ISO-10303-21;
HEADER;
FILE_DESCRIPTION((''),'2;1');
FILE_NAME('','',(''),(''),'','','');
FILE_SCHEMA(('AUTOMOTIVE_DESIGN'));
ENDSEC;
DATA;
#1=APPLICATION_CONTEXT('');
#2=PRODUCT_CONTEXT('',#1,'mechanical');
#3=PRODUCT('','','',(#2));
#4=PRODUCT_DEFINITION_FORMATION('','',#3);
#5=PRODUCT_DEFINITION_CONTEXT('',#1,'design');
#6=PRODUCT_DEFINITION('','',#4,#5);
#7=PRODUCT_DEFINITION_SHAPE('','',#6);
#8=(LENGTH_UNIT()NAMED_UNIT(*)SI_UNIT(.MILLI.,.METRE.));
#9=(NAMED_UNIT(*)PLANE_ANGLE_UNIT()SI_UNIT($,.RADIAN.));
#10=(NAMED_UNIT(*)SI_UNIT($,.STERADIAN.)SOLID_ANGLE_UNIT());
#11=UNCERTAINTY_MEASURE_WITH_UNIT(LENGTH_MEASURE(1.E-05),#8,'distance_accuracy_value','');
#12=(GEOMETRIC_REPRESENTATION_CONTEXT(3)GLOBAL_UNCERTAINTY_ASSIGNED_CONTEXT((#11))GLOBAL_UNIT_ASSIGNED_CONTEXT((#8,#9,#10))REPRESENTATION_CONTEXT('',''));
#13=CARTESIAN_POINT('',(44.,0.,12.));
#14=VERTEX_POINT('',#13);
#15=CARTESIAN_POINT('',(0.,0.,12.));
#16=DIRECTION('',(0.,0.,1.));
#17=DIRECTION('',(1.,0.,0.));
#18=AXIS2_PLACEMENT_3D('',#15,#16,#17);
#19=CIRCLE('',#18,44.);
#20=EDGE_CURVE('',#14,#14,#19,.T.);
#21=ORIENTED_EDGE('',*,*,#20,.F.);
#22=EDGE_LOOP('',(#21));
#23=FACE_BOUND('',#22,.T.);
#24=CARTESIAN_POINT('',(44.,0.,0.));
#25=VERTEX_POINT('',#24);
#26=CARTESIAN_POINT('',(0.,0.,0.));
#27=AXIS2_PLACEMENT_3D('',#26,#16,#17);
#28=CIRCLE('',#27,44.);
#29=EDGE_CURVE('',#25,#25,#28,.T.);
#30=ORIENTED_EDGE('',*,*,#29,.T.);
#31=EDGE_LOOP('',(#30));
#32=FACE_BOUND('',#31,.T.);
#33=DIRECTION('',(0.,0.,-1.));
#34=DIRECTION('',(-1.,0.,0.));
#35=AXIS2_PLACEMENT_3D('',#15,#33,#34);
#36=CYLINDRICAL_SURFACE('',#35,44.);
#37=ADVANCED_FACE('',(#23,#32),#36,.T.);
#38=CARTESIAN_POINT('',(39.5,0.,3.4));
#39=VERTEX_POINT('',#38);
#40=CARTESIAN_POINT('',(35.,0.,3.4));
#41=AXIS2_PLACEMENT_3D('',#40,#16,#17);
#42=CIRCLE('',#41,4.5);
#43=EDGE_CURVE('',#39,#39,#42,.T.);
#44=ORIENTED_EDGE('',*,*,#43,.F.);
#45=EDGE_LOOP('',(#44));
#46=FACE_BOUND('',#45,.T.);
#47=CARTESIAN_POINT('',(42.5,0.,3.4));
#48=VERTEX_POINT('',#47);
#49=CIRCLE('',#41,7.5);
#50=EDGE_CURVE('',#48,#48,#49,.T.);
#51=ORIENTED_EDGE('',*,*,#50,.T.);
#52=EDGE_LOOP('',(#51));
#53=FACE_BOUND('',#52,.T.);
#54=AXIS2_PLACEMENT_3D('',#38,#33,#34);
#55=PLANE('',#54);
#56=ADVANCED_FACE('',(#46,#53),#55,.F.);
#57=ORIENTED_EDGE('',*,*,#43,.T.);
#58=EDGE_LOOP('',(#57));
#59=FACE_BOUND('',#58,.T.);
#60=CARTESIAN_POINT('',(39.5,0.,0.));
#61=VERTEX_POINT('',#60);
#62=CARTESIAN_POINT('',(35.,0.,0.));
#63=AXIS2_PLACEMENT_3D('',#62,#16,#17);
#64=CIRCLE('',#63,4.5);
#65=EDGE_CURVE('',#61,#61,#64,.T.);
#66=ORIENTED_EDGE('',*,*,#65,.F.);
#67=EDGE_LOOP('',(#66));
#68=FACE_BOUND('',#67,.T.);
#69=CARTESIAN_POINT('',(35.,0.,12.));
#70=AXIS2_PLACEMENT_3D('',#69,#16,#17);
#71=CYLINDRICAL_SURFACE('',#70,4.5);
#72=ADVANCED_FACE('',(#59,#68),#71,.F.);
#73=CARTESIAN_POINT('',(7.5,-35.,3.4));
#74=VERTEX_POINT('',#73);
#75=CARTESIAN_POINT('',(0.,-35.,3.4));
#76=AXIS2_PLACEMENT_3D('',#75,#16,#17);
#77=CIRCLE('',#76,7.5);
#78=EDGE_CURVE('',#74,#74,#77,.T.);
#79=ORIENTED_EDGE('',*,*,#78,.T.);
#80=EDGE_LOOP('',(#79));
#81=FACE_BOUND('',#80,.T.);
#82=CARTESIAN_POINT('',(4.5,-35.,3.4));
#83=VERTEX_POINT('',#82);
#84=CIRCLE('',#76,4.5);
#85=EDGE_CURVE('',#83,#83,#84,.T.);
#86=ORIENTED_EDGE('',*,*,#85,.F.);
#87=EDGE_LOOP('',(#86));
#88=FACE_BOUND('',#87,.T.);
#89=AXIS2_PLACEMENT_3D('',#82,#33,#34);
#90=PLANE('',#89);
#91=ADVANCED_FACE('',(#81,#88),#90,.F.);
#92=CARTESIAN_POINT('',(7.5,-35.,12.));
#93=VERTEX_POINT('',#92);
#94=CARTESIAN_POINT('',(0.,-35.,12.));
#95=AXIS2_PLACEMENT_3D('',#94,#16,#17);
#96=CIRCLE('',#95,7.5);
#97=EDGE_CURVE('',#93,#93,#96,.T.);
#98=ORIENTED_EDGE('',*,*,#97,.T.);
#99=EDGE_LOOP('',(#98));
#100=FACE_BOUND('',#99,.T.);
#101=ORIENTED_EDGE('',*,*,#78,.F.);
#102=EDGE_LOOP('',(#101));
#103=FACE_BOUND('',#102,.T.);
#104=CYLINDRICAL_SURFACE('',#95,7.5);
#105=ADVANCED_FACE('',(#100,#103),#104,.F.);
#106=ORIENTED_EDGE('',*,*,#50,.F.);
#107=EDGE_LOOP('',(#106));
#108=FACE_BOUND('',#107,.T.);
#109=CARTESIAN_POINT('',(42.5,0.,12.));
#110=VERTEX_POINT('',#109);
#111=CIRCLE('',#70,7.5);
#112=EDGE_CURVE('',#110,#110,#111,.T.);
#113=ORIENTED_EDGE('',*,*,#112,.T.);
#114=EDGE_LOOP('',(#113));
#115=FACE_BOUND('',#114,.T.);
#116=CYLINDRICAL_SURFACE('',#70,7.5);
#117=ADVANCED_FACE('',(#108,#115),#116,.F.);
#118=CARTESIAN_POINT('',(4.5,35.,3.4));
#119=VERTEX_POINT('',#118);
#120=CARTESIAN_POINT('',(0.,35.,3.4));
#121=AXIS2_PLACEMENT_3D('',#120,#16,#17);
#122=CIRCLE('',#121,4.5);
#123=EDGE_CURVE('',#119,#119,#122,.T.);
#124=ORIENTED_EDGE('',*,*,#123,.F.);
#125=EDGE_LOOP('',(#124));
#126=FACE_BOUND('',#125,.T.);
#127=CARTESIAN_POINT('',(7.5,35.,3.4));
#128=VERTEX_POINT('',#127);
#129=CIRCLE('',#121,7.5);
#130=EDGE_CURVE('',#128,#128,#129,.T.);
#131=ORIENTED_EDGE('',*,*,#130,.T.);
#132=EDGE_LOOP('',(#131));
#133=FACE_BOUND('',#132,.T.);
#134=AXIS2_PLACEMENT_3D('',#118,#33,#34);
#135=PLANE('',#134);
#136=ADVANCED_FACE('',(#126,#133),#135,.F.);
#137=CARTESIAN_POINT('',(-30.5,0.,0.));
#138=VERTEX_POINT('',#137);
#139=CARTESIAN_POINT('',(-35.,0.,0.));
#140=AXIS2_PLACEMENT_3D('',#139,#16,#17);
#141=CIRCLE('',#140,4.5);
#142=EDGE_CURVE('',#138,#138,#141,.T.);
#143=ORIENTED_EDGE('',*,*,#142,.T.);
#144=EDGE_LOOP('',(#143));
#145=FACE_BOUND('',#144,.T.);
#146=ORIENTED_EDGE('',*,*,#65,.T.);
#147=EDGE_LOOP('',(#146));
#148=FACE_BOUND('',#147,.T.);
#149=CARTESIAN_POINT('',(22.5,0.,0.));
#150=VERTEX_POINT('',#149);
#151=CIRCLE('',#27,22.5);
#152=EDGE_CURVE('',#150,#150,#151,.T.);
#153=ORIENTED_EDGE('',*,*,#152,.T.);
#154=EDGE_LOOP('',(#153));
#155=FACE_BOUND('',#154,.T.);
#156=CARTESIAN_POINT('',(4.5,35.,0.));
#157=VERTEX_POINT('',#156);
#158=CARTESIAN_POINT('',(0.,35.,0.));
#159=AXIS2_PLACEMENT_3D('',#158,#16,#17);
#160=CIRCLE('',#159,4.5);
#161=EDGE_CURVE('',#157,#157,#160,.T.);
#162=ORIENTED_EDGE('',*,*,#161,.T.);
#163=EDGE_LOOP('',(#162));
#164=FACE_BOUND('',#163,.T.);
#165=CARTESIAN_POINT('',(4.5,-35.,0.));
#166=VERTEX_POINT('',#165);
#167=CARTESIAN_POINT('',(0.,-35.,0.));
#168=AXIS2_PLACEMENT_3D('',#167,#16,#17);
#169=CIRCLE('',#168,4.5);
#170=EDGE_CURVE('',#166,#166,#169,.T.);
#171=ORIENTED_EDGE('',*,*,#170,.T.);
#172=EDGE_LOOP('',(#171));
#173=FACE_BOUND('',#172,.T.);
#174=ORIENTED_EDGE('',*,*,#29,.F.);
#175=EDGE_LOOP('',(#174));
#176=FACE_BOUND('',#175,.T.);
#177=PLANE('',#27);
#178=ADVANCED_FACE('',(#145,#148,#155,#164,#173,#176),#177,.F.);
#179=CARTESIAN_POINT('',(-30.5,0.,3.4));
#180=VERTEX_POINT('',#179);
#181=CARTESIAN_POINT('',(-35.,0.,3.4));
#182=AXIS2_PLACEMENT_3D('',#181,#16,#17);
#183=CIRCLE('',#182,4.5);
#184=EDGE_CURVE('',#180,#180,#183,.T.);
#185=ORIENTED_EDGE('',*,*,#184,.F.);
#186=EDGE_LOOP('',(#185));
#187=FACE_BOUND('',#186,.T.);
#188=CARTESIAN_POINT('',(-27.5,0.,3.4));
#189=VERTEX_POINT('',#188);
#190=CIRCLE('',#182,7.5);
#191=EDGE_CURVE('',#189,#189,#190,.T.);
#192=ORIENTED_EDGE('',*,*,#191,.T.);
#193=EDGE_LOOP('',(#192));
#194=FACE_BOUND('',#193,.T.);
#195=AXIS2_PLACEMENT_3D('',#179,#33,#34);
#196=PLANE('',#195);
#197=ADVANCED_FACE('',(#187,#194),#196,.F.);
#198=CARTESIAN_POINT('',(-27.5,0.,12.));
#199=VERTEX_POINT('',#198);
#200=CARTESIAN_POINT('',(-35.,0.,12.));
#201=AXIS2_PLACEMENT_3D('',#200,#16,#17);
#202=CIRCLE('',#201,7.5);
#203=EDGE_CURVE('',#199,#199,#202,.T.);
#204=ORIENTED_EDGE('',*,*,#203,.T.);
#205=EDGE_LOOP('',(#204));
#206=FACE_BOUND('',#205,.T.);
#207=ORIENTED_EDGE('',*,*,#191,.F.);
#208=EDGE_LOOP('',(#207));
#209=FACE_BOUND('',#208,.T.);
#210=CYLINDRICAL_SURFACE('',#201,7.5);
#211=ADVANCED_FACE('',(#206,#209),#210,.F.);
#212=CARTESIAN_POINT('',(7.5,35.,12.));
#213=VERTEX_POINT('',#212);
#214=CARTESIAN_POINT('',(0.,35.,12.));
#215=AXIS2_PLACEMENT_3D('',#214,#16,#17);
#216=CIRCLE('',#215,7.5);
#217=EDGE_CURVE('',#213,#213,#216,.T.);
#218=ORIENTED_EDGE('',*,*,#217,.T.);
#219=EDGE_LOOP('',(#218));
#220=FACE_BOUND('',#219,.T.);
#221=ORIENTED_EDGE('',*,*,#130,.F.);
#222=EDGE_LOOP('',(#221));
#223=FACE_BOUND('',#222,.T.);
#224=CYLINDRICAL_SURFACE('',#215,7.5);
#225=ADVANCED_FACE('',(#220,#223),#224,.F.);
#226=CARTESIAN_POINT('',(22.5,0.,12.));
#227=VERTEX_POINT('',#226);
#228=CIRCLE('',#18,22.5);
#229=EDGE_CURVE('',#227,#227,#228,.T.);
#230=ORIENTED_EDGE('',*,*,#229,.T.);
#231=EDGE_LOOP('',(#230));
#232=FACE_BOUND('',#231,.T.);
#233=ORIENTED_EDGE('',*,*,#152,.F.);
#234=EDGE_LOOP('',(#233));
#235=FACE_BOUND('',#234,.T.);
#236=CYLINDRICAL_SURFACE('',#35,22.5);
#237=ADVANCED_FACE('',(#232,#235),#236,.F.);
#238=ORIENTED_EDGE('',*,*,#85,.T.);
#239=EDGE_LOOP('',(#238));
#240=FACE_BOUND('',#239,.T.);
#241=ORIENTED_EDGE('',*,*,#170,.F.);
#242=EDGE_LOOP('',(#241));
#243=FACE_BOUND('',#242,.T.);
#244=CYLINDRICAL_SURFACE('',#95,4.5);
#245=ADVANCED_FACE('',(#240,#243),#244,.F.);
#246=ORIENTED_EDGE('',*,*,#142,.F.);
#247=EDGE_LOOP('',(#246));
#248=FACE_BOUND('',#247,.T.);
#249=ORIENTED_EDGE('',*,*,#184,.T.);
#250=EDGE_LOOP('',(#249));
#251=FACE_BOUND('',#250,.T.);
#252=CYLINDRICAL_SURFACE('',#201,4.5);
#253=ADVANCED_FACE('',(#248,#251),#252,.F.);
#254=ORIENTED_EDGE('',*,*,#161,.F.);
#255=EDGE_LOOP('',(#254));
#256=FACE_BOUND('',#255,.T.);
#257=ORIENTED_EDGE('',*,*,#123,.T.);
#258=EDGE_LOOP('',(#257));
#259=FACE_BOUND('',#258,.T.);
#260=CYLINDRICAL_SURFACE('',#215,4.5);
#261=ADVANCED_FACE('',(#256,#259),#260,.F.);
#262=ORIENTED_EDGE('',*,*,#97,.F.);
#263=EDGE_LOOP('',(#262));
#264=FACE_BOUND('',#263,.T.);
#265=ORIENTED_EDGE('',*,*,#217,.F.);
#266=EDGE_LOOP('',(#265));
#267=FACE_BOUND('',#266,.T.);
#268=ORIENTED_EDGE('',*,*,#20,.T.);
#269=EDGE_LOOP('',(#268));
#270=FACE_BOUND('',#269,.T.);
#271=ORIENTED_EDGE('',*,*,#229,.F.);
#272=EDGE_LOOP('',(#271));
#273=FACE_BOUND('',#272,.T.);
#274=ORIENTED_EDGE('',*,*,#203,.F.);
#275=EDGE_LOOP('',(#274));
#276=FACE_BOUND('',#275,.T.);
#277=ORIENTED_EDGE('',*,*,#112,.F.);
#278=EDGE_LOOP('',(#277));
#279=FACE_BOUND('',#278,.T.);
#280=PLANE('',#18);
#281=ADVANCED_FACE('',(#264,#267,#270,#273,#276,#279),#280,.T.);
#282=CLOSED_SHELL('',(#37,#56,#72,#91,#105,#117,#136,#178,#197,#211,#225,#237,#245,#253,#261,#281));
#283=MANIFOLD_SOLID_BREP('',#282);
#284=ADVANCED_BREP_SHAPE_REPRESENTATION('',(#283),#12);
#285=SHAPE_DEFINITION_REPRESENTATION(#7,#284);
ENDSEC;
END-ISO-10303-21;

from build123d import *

# Parameters (mm, degrees)
IZIM1_R                                           = 44
IZIM1_R_2                                         = 22.5
Y_KSEKLIK_EKSTR_ZYON1_DEPTH                       = 12
M8_ALT_GEN_ALYAN_BA_L_K_R_VIDA_IN_HAV_D           = 9
M8_ALT_GEN_ALYAN_BA_L_K_R_VIDA_IN_HAV_DEPTH       = 22.25
M8_ALT_GEN_ALYAN_BA_L_K_R_VIDA_IN_HAV_CBORE_D     = 15
M8_ALT_GEN_ALYAN_BA_L_K_R_VIDA_IN_HAV_CBORE_DEPTH = 8.6
M8_ALT_GEN_ALYAN_BA_L_K_R_VIDA_IN_HAV_TIP         = 2.703872786


with BuildPart() as part:
    # Çizim1 → Yükseklik-Ekstrüzyon1 (new body)
    with BuildSketch(Plane.XY):
        Circle(IZIM1_R)
        Circle(IZIM1_R_2, mode=Mode.SUBTRACT)
    extrude(amount=Y_KSEKLIK_EKSTR_ZYON1_DEPTH)

    # M8 Altıgen Alyan Başlı Kör Vida İçin Havşa1
    with Locations(Plane.XY.offset(12)):
        with Locations((0, -35), (-35, 0), (0, 35), (35, 0)):
            CounterBoreHole(M8_ALT_GEN_ALYAN_BA_L_K_R_VIDA_IN_HAV_D / 2, M8_ALT_GEN_ALYAN_BA_L_K_R_VIDA_IN_HAV_CBORE_D / 2, M8_ALT_GEN_ALYAN_BA_L_K_R_VIDA_IN_HAV_CBORE_DEPTH, depth=M8_ALT_GEN_ALYAN_BA_L_K_R_VIDA_IN_HAV_DEPTH)
            with Locations((0, 0, -(M8_ALT_GEN_ALYAN_BA_L_K_R_VIDA_IN_HAV_DEPTH + M8_ALT_GEN_ALYAN_BA_L_K_R_VIDA_IN_HAV_TIP / 2))):  # 118° drill point
                Cone(0, M8_ALT_GEN_ALYAN_BA_L_K_R_VIDA_IN_HAV_D / 2, M8_ALT_GEN_ALYAN_BA_L_K_R_VIDA_IN_HAV_TIP, mode=Mode.SUBTRACT)


solid = part.part
